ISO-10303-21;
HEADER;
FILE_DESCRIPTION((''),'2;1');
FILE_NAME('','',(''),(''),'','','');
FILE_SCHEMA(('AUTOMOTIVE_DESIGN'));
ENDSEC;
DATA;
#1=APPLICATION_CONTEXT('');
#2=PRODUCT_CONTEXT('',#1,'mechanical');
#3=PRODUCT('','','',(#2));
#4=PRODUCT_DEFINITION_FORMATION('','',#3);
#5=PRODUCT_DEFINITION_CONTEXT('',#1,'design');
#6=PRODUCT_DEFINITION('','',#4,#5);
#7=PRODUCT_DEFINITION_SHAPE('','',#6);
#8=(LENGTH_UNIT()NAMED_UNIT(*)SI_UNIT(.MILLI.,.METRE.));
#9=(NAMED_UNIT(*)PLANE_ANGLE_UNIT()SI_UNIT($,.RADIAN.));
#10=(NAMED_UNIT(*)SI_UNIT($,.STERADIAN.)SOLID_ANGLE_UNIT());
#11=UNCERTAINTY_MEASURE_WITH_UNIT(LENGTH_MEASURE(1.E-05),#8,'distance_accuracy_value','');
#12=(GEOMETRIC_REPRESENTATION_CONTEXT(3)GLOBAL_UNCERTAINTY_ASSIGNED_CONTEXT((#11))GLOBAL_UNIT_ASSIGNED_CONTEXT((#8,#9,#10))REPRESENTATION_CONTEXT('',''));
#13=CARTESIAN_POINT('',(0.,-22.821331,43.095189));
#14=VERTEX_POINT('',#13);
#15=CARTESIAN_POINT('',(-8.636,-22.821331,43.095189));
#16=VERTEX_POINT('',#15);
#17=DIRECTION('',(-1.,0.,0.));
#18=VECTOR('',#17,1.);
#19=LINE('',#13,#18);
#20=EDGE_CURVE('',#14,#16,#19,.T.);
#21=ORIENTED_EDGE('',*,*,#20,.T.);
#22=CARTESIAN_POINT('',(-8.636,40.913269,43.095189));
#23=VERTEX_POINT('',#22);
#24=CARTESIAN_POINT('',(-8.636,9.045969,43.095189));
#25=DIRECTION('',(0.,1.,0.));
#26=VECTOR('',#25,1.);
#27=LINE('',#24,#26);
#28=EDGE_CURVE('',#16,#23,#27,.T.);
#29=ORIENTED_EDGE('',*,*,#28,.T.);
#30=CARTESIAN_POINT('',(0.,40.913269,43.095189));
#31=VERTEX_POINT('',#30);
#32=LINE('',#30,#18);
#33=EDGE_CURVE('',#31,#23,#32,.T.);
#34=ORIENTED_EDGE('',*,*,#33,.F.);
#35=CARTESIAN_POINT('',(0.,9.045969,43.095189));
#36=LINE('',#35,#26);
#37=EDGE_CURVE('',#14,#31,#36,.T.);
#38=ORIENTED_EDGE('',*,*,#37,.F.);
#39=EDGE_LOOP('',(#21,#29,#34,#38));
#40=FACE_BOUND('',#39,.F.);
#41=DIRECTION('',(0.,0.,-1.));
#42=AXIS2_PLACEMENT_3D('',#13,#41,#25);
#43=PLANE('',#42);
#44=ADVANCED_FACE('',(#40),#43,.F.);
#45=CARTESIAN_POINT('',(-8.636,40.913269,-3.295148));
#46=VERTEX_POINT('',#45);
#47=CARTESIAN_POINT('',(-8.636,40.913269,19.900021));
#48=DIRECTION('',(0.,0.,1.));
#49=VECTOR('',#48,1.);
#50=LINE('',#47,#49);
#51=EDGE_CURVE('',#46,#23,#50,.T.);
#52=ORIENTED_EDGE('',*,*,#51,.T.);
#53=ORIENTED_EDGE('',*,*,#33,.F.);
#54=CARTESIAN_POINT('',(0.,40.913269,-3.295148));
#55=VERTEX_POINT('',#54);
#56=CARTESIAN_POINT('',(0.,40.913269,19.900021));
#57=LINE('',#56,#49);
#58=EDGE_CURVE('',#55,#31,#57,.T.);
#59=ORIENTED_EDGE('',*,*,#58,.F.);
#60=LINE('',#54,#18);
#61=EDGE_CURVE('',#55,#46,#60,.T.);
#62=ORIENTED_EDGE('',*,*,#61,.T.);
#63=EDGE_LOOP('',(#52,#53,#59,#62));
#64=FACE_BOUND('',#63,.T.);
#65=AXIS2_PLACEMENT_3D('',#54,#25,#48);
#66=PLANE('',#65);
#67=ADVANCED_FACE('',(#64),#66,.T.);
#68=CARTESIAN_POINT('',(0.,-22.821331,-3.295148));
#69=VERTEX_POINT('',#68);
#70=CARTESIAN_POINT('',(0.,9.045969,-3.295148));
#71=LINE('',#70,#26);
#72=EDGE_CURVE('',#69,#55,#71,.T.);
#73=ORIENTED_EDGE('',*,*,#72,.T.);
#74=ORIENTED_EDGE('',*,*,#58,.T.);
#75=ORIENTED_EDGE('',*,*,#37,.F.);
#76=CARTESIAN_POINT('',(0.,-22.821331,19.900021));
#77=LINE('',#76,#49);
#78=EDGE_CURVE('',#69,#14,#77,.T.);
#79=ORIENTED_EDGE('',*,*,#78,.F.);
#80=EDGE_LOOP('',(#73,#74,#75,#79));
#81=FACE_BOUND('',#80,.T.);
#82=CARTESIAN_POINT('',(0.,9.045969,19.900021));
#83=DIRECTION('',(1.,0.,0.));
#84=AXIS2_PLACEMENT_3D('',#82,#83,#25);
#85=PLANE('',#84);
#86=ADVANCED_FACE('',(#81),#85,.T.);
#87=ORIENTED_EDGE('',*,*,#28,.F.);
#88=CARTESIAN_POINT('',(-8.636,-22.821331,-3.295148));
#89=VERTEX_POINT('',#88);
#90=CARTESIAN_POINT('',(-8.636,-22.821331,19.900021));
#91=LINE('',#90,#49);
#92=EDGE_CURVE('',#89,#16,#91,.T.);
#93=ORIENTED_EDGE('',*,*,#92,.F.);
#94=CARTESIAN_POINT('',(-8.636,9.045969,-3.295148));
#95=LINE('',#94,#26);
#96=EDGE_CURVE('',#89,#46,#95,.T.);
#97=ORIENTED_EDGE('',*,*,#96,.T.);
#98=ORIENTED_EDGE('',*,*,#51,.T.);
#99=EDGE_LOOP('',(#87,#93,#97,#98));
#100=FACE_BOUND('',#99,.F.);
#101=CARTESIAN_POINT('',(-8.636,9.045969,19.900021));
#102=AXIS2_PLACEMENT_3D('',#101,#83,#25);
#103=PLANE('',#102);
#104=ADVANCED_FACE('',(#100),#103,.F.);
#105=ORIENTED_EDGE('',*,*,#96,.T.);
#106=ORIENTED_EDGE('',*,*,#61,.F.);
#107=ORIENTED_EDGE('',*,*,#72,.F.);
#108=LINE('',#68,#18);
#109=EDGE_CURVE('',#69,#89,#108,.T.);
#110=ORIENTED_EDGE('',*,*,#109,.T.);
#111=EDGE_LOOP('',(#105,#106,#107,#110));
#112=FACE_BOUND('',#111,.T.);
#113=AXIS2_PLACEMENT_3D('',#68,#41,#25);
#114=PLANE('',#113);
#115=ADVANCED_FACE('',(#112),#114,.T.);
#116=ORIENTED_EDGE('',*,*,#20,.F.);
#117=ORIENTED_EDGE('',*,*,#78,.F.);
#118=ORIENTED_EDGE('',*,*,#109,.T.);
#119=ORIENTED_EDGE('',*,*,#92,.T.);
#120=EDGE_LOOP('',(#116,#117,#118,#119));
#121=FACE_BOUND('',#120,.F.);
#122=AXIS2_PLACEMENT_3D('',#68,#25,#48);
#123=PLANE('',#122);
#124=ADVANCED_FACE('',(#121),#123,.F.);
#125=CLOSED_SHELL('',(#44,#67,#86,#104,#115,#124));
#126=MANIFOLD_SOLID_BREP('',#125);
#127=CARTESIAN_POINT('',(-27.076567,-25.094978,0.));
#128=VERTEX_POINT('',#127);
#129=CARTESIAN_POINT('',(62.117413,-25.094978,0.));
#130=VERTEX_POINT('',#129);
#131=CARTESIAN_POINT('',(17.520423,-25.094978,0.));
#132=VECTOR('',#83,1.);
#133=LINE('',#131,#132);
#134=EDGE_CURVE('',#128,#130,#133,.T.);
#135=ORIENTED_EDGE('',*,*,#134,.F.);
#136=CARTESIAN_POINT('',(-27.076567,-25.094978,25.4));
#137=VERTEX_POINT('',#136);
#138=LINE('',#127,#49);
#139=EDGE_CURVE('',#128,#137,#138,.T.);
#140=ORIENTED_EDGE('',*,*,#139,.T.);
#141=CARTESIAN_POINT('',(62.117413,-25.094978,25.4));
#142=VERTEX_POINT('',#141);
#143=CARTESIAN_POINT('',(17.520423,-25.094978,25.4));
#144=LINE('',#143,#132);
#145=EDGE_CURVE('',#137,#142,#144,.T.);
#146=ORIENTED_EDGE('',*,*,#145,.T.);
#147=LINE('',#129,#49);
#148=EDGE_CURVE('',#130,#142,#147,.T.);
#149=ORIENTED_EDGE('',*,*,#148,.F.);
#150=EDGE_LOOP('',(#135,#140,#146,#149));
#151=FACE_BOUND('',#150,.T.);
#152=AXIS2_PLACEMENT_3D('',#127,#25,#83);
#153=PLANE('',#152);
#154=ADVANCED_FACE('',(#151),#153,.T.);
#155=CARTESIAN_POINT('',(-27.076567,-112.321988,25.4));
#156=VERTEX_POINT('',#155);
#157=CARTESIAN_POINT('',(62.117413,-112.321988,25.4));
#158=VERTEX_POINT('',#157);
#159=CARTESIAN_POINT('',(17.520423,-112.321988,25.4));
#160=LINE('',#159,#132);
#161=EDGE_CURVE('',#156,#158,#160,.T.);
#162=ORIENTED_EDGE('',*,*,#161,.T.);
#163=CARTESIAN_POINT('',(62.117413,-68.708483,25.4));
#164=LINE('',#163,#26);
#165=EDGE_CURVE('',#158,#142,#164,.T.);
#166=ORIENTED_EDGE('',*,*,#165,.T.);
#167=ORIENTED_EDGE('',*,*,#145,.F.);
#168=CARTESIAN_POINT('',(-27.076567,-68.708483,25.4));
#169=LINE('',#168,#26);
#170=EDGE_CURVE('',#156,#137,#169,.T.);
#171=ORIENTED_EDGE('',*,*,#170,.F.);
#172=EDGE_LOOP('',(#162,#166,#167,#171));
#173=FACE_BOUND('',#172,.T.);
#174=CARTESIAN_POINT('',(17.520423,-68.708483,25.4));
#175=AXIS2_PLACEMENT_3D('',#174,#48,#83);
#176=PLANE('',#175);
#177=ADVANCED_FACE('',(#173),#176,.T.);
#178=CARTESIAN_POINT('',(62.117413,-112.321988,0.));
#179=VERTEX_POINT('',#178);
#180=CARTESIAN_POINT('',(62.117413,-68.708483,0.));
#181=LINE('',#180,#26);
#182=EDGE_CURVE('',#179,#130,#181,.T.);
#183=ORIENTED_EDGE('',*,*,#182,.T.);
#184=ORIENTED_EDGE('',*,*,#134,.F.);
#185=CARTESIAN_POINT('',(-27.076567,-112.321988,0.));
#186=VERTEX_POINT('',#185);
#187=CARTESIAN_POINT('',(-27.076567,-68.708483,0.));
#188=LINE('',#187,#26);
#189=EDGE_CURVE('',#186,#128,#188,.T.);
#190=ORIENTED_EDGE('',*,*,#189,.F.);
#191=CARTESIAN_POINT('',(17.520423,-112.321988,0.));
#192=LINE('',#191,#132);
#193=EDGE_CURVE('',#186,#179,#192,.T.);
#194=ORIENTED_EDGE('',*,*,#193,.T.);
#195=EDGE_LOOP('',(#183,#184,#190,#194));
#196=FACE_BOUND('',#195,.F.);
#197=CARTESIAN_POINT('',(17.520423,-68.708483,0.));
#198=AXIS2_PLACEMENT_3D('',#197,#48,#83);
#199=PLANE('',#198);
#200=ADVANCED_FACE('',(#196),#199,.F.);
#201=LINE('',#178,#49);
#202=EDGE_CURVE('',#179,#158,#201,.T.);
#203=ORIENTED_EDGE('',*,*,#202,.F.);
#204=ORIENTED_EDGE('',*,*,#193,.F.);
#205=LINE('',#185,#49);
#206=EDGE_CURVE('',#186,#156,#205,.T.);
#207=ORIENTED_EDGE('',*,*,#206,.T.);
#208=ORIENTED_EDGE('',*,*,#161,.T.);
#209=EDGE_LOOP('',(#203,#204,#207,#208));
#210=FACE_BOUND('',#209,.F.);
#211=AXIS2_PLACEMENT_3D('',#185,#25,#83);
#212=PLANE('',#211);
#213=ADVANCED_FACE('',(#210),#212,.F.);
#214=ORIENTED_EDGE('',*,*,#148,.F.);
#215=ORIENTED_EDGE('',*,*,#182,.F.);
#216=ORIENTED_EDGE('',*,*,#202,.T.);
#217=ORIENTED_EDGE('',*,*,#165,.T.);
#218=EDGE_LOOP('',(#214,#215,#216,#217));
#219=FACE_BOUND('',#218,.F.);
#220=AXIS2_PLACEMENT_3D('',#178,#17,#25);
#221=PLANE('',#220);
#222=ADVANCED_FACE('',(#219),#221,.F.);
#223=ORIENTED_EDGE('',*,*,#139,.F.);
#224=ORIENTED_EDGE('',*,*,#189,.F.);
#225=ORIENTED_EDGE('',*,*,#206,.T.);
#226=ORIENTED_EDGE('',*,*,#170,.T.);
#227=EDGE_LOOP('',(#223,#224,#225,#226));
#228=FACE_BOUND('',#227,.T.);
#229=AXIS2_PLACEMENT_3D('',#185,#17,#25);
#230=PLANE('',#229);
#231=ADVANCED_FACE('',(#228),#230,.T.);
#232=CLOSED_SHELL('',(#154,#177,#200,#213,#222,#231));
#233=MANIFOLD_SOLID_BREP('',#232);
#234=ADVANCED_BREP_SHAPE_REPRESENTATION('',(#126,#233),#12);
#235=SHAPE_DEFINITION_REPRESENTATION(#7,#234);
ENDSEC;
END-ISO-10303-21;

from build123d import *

# Parameters (mm, degrees)
F0_W     = 89.19398
F0_H     = 87.227009
F1_DEPTH = 25.4
F2_W     = 63.7346
F2_H     = 46.390337
F3_DEPTH = 8.636


with BuildPart() as f1:
    # F0 (on Top) → F1 (new body)
    with BuildSketch(Plane.XY):
        with Locations((17.520423, -68.708483)):
            Rectangle(F0_W, F0_H)
    extrude(amount=F1_DEPTH)


with BuildPart() as f3:
    # F2 (on Right) → F3 (new body)
    with BuildSketch(Plane.YZ):
        with Locations((9.045969, 19.900021)):
            Rectangle(F2_W, F2_H)
    extrude(amount=-F3_DEPTH)


solid = Compound([f1.part, f3.part])
